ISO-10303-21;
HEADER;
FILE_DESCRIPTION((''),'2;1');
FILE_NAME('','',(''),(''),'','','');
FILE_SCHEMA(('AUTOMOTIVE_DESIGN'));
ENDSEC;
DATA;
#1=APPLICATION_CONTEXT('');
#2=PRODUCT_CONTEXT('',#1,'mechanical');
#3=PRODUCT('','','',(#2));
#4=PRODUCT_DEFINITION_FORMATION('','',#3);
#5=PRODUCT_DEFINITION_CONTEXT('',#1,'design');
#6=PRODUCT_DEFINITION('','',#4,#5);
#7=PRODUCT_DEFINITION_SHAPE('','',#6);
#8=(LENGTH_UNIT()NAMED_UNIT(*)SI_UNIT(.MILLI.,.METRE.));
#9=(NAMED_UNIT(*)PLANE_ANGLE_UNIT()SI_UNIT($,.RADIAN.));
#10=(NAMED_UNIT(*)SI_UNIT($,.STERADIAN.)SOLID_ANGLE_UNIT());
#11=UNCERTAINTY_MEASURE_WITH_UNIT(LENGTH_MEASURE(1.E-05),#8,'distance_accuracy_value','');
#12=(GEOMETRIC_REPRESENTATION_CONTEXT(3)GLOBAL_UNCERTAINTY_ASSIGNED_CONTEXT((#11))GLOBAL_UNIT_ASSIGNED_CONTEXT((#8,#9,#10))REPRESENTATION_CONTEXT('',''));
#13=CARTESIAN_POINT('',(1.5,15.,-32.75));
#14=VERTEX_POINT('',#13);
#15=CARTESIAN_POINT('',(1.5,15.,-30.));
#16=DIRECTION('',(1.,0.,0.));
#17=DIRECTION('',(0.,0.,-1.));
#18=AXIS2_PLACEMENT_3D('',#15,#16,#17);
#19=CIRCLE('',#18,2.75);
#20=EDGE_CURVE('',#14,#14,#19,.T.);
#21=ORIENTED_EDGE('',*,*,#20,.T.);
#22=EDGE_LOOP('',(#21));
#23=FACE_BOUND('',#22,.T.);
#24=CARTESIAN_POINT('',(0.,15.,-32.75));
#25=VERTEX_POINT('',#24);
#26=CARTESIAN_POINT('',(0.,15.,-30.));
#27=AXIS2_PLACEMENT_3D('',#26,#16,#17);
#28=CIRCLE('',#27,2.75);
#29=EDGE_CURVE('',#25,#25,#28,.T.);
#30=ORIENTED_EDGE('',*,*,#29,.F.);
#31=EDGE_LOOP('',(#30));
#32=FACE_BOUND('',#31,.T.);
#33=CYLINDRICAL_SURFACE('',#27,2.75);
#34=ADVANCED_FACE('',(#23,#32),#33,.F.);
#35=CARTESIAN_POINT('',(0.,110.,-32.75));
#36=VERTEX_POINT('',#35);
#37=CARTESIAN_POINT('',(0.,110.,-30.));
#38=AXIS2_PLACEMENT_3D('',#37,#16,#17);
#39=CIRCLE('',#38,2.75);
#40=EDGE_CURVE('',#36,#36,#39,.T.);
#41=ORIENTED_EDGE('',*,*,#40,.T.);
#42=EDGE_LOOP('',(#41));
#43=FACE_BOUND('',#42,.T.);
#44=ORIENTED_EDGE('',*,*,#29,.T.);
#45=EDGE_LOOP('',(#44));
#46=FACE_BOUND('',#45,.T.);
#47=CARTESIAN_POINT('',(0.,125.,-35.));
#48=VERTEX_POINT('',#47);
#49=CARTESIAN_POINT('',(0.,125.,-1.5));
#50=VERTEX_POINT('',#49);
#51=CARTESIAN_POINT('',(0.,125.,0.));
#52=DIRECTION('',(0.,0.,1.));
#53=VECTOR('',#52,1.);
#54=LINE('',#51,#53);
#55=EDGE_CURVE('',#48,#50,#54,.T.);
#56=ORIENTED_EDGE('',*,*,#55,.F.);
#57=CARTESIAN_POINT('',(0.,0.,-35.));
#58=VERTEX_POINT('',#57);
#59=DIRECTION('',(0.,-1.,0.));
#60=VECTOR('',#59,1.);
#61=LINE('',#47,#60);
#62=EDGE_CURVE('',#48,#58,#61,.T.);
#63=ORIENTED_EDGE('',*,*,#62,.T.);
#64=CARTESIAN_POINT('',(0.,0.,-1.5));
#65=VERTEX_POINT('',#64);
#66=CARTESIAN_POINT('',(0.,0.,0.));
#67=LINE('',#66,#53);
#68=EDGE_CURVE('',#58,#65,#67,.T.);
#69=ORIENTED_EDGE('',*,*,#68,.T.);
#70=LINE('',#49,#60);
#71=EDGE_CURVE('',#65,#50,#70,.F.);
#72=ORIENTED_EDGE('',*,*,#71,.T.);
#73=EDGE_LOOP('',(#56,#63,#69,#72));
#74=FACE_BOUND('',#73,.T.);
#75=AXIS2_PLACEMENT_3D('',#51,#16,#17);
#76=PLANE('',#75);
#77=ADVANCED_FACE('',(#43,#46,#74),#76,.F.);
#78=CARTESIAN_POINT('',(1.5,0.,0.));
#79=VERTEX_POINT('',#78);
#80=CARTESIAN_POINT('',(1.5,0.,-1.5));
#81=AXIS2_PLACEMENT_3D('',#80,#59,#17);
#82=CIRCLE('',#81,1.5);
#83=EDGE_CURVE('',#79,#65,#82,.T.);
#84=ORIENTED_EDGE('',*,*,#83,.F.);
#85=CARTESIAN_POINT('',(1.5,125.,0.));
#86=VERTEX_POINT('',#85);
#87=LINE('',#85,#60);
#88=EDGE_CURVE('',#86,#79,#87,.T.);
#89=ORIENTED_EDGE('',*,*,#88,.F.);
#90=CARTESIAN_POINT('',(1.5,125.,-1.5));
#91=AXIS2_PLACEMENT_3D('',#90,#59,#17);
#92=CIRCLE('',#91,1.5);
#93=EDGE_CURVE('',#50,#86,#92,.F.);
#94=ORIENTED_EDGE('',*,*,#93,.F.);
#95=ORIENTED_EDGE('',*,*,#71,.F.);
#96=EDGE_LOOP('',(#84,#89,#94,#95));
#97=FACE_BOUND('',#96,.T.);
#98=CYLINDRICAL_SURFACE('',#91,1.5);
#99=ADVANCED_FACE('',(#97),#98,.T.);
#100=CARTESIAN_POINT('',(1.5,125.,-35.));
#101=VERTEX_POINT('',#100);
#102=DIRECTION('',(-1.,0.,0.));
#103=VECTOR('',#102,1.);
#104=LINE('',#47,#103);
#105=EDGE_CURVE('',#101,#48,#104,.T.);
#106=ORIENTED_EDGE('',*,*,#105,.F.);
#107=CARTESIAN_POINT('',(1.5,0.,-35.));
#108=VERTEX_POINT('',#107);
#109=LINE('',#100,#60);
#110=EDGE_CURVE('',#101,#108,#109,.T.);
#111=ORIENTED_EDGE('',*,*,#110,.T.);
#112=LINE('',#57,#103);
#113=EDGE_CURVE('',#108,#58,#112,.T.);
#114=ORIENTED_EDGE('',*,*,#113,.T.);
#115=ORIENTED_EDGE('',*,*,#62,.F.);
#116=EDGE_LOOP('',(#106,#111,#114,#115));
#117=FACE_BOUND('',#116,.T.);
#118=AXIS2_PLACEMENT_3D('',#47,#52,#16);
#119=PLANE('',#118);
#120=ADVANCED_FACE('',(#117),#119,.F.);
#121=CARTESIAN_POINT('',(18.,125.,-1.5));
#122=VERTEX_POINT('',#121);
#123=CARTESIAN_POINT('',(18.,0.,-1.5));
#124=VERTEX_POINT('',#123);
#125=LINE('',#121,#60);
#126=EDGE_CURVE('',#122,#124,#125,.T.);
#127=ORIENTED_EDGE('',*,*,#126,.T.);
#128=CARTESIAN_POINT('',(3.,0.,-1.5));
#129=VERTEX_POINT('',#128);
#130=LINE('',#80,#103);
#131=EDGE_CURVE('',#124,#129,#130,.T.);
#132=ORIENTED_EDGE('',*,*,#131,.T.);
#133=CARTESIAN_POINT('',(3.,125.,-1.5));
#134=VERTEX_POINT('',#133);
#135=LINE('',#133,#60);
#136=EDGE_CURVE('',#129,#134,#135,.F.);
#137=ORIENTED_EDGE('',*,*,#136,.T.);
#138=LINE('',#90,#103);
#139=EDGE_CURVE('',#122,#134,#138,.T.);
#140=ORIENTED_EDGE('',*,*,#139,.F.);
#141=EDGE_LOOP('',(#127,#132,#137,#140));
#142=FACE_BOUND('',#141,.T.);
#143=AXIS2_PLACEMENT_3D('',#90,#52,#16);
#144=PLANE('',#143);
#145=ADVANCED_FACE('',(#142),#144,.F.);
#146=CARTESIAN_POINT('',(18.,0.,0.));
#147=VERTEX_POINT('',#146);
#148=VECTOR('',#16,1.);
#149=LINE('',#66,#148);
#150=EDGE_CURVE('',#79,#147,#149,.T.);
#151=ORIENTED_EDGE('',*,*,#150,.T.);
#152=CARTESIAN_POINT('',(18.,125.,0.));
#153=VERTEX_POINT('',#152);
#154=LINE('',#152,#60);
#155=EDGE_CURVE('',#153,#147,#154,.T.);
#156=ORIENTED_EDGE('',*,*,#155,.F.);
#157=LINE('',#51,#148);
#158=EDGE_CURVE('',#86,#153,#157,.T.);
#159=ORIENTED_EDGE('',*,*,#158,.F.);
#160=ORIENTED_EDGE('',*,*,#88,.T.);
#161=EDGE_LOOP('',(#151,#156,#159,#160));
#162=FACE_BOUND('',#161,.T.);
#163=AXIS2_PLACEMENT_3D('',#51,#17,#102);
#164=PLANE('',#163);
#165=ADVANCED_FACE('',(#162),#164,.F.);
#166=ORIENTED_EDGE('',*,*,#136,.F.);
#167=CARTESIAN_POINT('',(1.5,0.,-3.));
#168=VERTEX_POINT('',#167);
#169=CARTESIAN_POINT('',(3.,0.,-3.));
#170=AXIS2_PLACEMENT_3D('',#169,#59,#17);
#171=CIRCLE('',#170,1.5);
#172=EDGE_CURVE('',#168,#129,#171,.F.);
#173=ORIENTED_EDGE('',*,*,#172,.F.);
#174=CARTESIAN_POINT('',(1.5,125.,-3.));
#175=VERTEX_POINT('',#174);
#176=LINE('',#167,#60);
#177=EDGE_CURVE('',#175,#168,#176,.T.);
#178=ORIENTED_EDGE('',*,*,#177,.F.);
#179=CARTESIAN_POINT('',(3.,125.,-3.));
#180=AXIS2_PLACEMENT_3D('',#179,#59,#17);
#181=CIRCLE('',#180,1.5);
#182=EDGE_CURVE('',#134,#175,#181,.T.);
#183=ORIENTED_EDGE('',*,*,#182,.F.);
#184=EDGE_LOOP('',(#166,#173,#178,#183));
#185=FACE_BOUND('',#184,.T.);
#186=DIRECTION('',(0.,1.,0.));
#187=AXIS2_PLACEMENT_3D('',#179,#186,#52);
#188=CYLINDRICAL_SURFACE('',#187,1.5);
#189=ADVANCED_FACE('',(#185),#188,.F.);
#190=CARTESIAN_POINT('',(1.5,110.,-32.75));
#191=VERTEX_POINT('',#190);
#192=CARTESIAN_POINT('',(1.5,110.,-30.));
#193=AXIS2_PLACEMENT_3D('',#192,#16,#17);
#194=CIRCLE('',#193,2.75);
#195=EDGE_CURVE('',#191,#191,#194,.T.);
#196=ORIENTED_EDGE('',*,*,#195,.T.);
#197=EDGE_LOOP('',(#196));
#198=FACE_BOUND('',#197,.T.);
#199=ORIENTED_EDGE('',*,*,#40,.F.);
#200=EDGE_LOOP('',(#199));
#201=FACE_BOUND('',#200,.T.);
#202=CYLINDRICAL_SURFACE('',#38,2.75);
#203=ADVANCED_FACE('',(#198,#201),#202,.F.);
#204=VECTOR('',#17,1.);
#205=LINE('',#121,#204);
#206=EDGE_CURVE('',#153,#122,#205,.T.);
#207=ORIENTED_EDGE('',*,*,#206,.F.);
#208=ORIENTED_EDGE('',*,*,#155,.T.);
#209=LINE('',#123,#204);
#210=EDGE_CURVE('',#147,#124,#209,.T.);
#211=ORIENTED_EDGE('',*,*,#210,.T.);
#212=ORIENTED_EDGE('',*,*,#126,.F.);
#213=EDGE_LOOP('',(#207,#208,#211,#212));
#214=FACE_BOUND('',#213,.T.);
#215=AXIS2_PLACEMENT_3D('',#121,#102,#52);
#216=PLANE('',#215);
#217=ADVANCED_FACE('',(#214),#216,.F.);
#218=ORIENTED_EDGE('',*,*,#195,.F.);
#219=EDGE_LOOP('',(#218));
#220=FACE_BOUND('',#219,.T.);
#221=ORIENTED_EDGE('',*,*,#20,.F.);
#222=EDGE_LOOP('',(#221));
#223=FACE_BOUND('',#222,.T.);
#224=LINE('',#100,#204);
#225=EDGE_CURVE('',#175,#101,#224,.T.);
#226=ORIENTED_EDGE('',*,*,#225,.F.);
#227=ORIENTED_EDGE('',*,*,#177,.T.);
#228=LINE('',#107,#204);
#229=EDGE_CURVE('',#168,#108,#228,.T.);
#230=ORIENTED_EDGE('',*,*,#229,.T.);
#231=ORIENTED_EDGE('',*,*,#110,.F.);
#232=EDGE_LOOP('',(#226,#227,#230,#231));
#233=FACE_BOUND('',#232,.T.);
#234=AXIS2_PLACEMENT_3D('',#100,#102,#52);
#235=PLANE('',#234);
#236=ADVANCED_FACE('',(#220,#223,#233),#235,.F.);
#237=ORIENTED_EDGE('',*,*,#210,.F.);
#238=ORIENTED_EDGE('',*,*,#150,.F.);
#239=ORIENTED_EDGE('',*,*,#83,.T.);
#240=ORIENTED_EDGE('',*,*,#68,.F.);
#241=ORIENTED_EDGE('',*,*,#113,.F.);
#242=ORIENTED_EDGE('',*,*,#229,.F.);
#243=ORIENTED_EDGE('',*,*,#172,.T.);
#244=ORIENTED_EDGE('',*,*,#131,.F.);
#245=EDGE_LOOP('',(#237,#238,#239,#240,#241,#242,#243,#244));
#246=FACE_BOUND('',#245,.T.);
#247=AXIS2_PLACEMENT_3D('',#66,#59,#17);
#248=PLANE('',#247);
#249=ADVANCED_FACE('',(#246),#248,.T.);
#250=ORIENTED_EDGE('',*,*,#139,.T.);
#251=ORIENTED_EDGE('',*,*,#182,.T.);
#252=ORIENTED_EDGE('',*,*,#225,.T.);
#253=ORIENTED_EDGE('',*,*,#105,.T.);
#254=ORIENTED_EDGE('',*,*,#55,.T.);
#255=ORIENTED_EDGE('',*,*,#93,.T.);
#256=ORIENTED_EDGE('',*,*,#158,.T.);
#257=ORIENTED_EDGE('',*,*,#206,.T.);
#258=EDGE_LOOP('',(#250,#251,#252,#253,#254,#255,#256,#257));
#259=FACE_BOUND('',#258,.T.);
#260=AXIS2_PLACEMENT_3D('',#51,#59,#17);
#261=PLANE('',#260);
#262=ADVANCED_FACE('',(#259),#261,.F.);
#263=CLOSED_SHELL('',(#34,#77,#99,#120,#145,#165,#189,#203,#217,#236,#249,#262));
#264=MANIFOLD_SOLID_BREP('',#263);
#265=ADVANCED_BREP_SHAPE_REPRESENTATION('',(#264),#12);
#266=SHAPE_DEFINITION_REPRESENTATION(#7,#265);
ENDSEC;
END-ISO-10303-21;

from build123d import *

# Parameters (mm, degrees)
BOSS_EXTRUDE1_DEPTH = 125
FILLET1_R           = 1.5
FILLET2_R           = 1.5
SKETCH2_R           = 2.75
CUT_EXTRUDE1_DEPTH  = 2.5


with BuildPart() as part:
    # Sketch1 → Boss-Extrude1 (new body)
    with BuildSketch(Plane(origin=(0, 0, 0), x_dir=(1, 0, 0), z_dir=(0, 1, 0))):
        Polygon((0, 0), (0, 35), (1.5, 35), (1.5, 1.5), (18, 1.5), (18, 0), align=None)
    extrude(amount=BOSS_EXTRUDE1_DEPTH)

    # Fillet1
    fillet1_edges = [part.edges().sort_by_distance(p)[0] for p in [
        (1.5, 62.5, -1.5),
    ]]
    fillet(fillet1_edges, radius=FILLET1_R)

    # Fillet2
    fillet2_edges = [part.edges().sort_by_distance(p)[0] for p in [
        (0, 62.5, 0),
    ]]
    fillet(fillet2_edges, radius=FILLET2_R)

    # Sketch2 → Cut-Extrude1 (cut, through all)
    with BuildSketch(Plane(origin=(1.5, 0, 0), x_dir=(0, 0, -1), z_dir=(1, 0, 0))):
        with Locations((30, 110)):
            Circle(SKETCH2_R)
        with Locations((30, 15)):
            Circle(SKETCH2_R)
    extrude(amount=-CUT_EXTRUDE1_DEPTH, mode=Mode.SUBTRACT)


solid = part.part
